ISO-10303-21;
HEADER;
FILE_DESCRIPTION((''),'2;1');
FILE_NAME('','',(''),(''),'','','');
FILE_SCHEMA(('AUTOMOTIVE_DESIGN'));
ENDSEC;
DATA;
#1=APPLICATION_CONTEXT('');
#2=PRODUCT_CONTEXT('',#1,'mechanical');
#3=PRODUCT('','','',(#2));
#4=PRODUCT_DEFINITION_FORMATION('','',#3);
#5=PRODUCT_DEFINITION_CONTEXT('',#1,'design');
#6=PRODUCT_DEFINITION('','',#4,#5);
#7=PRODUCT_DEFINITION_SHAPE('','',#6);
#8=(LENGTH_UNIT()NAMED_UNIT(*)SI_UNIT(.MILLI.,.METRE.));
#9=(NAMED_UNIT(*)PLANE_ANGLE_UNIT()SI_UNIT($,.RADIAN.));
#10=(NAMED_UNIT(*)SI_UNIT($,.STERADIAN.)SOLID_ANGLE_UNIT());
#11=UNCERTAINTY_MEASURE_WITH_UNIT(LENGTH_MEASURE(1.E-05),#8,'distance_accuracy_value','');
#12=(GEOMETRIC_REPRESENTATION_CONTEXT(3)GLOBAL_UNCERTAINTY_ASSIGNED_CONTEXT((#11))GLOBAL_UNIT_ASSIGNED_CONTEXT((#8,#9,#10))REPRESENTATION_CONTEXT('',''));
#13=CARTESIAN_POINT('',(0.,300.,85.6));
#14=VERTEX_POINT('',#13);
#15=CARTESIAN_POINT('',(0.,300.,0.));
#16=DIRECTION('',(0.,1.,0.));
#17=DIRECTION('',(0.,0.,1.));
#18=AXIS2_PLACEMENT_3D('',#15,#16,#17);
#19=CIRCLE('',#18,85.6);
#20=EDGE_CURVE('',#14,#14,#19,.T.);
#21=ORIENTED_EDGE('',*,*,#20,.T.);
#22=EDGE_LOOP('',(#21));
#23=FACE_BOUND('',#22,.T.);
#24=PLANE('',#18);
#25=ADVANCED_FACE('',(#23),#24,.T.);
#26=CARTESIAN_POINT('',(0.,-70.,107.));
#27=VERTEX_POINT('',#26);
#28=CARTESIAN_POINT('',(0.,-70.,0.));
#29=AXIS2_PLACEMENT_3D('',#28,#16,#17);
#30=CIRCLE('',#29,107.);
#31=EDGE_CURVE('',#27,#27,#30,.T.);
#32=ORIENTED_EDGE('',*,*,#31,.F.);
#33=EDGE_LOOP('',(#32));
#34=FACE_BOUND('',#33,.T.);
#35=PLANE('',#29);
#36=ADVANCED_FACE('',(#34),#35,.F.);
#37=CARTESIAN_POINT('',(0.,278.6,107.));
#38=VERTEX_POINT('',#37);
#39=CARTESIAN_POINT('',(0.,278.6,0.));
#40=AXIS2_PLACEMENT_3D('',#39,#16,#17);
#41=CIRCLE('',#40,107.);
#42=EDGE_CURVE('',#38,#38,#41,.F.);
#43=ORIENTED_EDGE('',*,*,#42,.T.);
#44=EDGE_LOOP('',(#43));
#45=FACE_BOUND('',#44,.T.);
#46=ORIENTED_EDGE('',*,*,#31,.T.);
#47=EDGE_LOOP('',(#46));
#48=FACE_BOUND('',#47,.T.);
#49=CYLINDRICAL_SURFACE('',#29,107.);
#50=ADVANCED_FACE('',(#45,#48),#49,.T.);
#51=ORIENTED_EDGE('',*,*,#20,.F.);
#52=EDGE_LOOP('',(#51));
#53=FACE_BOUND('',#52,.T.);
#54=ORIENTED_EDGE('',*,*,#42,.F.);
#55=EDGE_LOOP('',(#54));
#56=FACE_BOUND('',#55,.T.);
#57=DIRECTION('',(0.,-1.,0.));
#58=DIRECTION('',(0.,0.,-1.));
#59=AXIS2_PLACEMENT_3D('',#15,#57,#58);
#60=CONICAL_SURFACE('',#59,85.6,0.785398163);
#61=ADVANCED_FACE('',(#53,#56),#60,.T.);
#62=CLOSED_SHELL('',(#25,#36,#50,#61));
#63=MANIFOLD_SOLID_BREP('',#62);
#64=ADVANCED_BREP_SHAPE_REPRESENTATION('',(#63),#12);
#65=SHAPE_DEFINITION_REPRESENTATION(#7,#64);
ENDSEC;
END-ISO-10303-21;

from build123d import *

# Parameters (mm, degrees)
EXTRUDE_1_DEPTH      = 300
EXTRUDE_1_DEPTH_BACK = 70
SKETCH_1_R           = 107
CHAMFER_1_SIZE       = 21.4


with BuildPart() as part:
    # Эскиз1 → Бобышка-Вытянуть1 (new, two sides: drawn at the far end of the back side and taken through both)
    with BuildSketch(Plane(origin=(0, 0, 0), x_dir=(1, 0, 0), z_dir=(0, 1, 0)).offset(-EXTRUDE_1_DEPTH_BACK)):
        with Locations(Location((0, 0, 0), (0, 0, 270))):
            Circle(SKETCH_1_R)
    extrude(amount=EXTRUDE_1_DEPTH + EXTRUDE_1_DEPTH_BACK)

    # Фаска1
    chamfer_1_edges = [part.edges().sort_by_distance(p)[0] for p in [
        (0, 300, -107),
    ]]
    chamfer(chamfer_1_edges, length=CHAMFER_1_SIZE)


solid = part.part
